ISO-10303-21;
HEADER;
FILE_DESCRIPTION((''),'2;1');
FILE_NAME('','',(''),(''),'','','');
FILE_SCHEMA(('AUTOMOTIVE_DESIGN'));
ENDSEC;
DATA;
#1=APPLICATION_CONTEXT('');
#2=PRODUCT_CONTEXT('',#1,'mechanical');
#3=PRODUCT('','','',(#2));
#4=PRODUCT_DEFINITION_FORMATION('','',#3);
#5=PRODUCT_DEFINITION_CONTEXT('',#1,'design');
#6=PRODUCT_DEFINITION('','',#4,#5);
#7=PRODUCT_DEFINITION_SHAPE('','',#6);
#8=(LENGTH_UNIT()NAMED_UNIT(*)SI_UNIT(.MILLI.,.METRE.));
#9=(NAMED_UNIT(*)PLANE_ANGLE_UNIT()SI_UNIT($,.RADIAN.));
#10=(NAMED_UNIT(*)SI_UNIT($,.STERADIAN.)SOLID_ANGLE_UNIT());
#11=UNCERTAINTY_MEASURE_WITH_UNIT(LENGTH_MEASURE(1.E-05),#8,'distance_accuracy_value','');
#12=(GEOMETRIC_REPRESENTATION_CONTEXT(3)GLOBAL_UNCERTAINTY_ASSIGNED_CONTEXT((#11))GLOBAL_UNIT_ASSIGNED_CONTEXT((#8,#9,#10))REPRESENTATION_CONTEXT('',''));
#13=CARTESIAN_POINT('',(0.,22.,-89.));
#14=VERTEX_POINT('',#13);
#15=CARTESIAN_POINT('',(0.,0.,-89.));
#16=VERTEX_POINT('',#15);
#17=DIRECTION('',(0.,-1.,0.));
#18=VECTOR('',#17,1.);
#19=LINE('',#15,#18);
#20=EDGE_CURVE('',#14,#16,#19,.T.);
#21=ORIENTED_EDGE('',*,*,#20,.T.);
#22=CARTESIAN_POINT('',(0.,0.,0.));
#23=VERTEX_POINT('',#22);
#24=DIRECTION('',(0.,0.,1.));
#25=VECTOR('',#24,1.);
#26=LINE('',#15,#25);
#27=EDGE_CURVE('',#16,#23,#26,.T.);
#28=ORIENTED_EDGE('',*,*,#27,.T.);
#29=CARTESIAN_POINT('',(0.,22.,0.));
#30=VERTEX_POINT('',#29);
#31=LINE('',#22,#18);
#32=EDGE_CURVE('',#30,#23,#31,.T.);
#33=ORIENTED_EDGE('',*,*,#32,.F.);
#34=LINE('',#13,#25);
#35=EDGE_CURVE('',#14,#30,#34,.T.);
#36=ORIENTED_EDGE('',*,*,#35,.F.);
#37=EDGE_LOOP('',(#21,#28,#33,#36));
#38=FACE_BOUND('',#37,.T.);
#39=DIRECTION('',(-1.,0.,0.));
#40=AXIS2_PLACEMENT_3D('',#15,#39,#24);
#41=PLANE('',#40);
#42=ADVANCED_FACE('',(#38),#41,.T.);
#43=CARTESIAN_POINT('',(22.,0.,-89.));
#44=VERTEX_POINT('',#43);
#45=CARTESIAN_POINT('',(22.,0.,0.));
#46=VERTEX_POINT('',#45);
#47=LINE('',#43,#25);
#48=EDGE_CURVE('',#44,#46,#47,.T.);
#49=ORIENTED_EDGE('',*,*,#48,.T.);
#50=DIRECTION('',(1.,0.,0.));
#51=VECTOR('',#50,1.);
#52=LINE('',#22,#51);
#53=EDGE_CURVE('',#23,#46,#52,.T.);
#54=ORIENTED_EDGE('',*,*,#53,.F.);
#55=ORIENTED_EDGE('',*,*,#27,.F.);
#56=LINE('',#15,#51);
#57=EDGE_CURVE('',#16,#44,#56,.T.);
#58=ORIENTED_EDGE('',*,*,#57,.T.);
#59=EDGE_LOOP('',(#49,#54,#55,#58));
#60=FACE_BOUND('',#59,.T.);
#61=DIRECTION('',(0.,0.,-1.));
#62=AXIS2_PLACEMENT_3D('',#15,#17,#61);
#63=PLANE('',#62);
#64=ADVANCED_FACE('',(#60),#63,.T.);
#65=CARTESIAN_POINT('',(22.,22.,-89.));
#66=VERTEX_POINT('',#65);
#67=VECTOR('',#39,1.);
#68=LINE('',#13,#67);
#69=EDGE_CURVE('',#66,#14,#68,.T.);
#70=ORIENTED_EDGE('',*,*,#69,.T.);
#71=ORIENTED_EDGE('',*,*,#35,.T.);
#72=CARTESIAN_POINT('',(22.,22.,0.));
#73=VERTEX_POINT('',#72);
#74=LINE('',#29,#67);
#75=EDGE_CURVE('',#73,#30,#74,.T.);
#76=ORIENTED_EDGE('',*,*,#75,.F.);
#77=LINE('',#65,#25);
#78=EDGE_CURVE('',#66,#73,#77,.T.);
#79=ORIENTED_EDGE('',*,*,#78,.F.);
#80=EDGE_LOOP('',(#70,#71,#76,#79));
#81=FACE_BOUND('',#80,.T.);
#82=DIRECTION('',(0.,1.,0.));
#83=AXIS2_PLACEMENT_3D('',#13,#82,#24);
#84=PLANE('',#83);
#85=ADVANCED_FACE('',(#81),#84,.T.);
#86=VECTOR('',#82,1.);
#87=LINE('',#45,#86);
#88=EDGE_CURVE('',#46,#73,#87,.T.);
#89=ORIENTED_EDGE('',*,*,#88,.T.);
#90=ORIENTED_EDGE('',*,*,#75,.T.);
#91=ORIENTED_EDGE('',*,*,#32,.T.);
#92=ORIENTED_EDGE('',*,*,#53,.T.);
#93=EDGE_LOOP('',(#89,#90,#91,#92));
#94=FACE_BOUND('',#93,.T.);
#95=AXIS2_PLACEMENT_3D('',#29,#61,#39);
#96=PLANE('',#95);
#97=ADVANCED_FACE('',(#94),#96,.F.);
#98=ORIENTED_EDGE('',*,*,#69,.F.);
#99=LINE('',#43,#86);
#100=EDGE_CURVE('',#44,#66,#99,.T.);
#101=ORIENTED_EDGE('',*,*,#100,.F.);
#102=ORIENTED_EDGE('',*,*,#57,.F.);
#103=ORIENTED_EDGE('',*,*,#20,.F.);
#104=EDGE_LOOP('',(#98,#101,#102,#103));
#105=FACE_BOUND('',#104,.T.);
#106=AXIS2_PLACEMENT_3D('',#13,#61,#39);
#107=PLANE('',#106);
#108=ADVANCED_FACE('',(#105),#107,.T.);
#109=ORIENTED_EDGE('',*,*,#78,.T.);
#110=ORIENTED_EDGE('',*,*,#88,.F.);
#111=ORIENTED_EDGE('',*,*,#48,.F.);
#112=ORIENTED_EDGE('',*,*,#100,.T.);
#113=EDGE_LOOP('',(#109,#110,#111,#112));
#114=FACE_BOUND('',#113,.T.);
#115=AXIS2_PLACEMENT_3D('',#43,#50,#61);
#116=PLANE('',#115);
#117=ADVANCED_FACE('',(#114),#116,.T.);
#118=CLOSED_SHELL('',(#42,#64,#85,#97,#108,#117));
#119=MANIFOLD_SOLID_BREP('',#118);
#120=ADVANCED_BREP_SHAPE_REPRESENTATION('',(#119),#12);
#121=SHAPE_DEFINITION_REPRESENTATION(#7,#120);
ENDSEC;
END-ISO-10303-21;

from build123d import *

# Parameters (mm, degrees)
ESQUISSE1_W      = 22
ESQUISSE1_H      = 22
EXTRUSION1_DEPTH = 89


with BuildPart() as part:
    # Esquisse1 → Extrusion1 (new body)
    with BuildSketch(Plane.XY):
        with Locations((11, 11)):
            Rectangle(ESQUISSE1_W, ESQUISSE1_H)
    extrude(amount=-EXTRUSION1_DEPTH)


solid = part.part
